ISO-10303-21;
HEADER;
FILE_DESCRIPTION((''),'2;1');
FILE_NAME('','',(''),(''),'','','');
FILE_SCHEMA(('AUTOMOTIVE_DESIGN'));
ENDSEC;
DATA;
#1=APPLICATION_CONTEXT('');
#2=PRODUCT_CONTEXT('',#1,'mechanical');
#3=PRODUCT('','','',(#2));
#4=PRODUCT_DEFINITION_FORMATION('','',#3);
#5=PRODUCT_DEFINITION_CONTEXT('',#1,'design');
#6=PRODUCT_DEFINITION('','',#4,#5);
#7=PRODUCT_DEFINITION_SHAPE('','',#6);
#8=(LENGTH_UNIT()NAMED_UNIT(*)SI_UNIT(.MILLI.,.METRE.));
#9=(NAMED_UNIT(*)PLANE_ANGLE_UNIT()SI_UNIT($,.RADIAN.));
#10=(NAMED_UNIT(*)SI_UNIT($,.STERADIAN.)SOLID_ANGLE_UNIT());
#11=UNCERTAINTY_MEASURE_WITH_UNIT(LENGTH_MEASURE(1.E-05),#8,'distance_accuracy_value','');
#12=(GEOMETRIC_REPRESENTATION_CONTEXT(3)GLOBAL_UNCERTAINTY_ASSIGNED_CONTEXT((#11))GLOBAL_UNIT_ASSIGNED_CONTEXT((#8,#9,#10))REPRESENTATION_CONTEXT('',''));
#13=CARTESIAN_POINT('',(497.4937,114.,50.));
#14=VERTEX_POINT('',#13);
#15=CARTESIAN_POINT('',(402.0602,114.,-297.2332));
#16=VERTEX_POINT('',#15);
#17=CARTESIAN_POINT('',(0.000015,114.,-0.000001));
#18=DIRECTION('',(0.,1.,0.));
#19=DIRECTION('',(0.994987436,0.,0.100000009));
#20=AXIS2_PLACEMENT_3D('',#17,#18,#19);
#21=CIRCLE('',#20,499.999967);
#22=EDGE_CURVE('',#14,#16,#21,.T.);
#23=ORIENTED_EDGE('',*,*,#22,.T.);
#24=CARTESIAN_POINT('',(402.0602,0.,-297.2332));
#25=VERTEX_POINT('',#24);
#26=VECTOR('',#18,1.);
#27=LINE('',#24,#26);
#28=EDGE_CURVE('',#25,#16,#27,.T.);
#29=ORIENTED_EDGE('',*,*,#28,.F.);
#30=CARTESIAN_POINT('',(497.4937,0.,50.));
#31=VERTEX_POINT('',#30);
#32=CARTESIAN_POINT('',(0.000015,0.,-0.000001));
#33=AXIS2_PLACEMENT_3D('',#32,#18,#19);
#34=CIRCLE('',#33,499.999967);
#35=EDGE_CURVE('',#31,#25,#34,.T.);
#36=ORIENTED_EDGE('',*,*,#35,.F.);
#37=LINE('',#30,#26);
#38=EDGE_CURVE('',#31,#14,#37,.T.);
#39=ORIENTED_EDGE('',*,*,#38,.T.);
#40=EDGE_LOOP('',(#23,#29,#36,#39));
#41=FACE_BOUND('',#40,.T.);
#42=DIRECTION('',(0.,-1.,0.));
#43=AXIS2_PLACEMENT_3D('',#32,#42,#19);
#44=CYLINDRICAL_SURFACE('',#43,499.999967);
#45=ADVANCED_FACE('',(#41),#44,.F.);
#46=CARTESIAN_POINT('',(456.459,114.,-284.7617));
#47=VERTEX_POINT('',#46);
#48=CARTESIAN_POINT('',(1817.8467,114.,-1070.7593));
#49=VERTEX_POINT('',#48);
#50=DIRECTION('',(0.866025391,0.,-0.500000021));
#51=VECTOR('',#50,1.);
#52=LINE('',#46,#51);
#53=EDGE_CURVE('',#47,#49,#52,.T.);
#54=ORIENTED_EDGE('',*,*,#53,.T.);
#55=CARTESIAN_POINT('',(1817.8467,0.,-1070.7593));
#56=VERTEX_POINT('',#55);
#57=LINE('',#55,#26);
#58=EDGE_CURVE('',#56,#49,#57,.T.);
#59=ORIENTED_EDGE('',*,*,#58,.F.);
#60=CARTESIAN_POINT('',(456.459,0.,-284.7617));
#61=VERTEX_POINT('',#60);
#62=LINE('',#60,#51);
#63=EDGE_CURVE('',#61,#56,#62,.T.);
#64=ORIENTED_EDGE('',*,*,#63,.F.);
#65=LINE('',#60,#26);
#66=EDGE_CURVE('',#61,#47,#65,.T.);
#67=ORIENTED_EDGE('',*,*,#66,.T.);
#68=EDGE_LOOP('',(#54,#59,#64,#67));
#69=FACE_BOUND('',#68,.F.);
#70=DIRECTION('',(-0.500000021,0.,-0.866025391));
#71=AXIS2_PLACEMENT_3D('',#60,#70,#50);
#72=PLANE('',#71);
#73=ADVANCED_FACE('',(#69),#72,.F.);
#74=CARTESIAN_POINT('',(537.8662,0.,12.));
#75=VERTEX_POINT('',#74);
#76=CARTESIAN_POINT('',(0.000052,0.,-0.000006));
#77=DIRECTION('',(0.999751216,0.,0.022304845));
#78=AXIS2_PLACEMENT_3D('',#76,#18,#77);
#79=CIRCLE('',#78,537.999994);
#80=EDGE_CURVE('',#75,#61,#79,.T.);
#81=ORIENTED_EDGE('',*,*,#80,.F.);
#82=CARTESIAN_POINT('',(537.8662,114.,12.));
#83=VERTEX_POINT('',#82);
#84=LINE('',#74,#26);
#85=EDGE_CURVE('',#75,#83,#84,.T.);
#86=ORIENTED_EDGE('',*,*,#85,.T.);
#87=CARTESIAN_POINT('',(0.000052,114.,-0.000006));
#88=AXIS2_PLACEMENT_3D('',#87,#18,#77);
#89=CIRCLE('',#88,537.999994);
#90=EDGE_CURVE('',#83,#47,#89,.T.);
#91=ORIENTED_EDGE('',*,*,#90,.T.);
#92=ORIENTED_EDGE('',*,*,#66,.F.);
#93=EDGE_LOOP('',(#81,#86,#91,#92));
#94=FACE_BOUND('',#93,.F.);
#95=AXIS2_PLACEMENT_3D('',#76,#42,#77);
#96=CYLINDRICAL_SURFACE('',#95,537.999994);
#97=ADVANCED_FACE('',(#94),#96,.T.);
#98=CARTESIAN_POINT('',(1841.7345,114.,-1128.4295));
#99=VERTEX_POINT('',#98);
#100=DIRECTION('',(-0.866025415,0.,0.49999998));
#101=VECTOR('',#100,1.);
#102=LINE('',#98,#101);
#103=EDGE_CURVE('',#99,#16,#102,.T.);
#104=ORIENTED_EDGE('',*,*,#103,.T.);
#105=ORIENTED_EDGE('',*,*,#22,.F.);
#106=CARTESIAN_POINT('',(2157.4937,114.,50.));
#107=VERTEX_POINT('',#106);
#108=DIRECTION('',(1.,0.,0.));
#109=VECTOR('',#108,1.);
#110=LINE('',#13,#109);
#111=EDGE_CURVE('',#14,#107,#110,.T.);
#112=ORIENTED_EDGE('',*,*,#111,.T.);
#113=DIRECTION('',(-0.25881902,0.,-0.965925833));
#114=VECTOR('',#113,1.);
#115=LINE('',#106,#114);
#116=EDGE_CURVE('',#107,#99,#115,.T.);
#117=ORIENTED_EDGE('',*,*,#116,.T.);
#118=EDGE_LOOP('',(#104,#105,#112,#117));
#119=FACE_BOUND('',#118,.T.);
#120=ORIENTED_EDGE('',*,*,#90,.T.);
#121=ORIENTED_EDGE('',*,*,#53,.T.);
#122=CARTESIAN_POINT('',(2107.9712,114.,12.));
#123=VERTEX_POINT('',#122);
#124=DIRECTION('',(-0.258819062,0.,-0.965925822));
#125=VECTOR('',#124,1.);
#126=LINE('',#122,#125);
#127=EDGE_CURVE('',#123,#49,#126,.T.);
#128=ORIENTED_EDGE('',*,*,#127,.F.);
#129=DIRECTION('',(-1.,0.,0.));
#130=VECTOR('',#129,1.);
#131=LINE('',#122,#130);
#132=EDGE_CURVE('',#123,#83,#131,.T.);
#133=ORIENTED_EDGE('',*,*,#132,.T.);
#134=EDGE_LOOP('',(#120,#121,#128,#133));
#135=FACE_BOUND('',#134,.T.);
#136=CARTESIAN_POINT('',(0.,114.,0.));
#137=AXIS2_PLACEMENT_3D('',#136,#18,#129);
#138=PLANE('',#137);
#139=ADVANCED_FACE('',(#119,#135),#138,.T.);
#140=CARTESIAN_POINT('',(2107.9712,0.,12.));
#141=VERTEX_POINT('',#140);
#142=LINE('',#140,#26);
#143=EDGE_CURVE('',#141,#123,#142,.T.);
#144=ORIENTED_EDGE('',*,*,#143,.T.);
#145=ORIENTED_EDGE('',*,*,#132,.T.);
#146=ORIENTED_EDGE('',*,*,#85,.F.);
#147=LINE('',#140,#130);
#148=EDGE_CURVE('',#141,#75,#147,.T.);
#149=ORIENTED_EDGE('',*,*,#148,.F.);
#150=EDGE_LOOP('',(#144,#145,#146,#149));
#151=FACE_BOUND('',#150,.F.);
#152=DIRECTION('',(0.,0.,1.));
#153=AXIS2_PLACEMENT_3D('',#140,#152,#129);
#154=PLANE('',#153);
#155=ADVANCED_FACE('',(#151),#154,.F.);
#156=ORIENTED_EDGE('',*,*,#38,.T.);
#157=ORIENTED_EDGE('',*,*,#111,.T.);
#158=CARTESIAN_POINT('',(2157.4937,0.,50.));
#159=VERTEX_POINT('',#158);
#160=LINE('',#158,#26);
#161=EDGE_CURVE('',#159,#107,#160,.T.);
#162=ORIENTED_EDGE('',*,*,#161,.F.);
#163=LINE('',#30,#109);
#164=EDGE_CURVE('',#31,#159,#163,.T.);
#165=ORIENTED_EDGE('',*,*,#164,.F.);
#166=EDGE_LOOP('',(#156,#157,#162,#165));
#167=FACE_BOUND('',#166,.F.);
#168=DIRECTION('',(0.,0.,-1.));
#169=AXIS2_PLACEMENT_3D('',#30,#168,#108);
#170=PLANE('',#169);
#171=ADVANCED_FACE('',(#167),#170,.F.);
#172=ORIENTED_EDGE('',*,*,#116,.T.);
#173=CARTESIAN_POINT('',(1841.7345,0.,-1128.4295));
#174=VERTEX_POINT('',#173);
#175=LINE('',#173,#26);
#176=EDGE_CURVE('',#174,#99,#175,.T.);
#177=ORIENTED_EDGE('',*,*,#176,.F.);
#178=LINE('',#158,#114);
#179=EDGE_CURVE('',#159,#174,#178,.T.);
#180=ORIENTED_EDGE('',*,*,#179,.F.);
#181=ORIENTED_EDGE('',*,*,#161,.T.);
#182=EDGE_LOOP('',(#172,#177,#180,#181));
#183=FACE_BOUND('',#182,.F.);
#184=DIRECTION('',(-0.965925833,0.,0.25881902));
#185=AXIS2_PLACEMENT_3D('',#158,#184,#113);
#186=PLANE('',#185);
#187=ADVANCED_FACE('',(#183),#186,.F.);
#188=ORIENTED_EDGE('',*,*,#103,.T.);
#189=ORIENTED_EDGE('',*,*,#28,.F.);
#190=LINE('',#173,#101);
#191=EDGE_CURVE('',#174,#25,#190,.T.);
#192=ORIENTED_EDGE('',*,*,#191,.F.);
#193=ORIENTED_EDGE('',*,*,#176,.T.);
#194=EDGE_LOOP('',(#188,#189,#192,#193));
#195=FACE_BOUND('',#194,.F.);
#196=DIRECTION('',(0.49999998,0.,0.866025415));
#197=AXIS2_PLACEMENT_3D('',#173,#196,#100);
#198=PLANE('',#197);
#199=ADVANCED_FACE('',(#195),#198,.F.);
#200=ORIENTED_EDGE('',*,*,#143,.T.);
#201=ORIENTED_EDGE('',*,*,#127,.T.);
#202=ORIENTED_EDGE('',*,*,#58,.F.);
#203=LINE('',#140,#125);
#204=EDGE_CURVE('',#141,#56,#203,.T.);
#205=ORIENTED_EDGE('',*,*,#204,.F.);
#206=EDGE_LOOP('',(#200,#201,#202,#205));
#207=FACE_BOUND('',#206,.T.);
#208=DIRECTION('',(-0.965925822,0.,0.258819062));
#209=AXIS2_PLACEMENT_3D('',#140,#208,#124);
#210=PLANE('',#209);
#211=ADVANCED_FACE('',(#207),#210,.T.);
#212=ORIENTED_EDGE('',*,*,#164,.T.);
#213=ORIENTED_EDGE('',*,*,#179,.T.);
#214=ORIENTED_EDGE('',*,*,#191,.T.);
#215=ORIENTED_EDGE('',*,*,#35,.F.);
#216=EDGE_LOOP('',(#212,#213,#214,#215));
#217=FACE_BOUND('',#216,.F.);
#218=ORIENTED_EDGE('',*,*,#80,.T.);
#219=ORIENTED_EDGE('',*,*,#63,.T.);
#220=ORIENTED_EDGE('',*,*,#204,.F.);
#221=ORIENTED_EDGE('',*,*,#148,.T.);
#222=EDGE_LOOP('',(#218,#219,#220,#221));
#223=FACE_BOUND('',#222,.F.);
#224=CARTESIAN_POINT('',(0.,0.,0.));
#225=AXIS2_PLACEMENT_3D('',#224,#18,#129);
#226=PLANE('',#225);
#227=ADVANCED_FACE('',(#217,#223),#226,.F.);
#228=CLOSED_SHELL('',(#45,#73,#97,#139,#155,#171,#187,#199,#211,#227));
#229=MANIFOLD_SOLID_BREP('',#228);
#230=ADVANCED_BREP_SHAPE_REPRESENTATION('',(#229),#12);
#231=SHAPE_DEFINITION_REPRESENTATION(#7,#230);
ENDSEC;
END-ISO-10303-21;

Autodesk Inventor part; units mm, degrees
ref_plane "YZ Plane" through (0, 0, 0) normal (1, 0, 0) x (0, 1, 0)
ref_plane "XZ Plane" through (0, 0, 0) normal (0, 1, 0) x (-1, 0, 0)
ref_plane "XY Plane" through (0, 0, 0) normal (0, 0, 1) x (1, 0, 0)
sketch "Sketch1" plane through (0, 0, 0) normal (0, 1, 0) x (-1, 0, 0)
  line L0 (0, 0) -> (-3000, 0) construction
  line L1 (0, 0) -> (-2598.0762, -1500) construction
  line L2 (0, 0) -> (3000, 0) construction
  arc A0 (-497.4937, 50) -> (-402.0602, -297.2332) centre (0, 0) ccw
  line L3 (-497.4937, 50) -> (-2157.4937, 50)
  line L4 (-2157.4937, 50) -> (-1841.7345, -1128.4295)
  line L5 (-2157.4937, 50) -> (-937.4937, 50) construction
  line L6 (-1841.7345, -1128.4295) -> (1158.2655, -1128.4295) construction
  line L7 (-1841.7345, -1128.4295) -> (-402.0602, -297.2332)
  arc A1 (-537.8662, 12) -> (-456.459, -284.7617) centre (0, 0) ccw
  line L8 (-2107.9712, 12) -> (-537.8662, 12)
  line L9 (-456.459, -284.7617) -> (-1817.8467, -1070.7593)
  line L10 (-2107.9712, 12) -> (-1817.8467, -1070.7593)
  dimension "d1" = 3000
  dimension "d2" = 150
  dimension "d3" = 1000
  dimension "d11" = 50
  dimension "d12" = 1660
  dimension "d13" = 1220
  dimension "d14" = 75
extrude "Extrusion2" add sketch "Sketch1" along normal blind 114
properties part number "panelAflat" material "Wood (Birch)"
